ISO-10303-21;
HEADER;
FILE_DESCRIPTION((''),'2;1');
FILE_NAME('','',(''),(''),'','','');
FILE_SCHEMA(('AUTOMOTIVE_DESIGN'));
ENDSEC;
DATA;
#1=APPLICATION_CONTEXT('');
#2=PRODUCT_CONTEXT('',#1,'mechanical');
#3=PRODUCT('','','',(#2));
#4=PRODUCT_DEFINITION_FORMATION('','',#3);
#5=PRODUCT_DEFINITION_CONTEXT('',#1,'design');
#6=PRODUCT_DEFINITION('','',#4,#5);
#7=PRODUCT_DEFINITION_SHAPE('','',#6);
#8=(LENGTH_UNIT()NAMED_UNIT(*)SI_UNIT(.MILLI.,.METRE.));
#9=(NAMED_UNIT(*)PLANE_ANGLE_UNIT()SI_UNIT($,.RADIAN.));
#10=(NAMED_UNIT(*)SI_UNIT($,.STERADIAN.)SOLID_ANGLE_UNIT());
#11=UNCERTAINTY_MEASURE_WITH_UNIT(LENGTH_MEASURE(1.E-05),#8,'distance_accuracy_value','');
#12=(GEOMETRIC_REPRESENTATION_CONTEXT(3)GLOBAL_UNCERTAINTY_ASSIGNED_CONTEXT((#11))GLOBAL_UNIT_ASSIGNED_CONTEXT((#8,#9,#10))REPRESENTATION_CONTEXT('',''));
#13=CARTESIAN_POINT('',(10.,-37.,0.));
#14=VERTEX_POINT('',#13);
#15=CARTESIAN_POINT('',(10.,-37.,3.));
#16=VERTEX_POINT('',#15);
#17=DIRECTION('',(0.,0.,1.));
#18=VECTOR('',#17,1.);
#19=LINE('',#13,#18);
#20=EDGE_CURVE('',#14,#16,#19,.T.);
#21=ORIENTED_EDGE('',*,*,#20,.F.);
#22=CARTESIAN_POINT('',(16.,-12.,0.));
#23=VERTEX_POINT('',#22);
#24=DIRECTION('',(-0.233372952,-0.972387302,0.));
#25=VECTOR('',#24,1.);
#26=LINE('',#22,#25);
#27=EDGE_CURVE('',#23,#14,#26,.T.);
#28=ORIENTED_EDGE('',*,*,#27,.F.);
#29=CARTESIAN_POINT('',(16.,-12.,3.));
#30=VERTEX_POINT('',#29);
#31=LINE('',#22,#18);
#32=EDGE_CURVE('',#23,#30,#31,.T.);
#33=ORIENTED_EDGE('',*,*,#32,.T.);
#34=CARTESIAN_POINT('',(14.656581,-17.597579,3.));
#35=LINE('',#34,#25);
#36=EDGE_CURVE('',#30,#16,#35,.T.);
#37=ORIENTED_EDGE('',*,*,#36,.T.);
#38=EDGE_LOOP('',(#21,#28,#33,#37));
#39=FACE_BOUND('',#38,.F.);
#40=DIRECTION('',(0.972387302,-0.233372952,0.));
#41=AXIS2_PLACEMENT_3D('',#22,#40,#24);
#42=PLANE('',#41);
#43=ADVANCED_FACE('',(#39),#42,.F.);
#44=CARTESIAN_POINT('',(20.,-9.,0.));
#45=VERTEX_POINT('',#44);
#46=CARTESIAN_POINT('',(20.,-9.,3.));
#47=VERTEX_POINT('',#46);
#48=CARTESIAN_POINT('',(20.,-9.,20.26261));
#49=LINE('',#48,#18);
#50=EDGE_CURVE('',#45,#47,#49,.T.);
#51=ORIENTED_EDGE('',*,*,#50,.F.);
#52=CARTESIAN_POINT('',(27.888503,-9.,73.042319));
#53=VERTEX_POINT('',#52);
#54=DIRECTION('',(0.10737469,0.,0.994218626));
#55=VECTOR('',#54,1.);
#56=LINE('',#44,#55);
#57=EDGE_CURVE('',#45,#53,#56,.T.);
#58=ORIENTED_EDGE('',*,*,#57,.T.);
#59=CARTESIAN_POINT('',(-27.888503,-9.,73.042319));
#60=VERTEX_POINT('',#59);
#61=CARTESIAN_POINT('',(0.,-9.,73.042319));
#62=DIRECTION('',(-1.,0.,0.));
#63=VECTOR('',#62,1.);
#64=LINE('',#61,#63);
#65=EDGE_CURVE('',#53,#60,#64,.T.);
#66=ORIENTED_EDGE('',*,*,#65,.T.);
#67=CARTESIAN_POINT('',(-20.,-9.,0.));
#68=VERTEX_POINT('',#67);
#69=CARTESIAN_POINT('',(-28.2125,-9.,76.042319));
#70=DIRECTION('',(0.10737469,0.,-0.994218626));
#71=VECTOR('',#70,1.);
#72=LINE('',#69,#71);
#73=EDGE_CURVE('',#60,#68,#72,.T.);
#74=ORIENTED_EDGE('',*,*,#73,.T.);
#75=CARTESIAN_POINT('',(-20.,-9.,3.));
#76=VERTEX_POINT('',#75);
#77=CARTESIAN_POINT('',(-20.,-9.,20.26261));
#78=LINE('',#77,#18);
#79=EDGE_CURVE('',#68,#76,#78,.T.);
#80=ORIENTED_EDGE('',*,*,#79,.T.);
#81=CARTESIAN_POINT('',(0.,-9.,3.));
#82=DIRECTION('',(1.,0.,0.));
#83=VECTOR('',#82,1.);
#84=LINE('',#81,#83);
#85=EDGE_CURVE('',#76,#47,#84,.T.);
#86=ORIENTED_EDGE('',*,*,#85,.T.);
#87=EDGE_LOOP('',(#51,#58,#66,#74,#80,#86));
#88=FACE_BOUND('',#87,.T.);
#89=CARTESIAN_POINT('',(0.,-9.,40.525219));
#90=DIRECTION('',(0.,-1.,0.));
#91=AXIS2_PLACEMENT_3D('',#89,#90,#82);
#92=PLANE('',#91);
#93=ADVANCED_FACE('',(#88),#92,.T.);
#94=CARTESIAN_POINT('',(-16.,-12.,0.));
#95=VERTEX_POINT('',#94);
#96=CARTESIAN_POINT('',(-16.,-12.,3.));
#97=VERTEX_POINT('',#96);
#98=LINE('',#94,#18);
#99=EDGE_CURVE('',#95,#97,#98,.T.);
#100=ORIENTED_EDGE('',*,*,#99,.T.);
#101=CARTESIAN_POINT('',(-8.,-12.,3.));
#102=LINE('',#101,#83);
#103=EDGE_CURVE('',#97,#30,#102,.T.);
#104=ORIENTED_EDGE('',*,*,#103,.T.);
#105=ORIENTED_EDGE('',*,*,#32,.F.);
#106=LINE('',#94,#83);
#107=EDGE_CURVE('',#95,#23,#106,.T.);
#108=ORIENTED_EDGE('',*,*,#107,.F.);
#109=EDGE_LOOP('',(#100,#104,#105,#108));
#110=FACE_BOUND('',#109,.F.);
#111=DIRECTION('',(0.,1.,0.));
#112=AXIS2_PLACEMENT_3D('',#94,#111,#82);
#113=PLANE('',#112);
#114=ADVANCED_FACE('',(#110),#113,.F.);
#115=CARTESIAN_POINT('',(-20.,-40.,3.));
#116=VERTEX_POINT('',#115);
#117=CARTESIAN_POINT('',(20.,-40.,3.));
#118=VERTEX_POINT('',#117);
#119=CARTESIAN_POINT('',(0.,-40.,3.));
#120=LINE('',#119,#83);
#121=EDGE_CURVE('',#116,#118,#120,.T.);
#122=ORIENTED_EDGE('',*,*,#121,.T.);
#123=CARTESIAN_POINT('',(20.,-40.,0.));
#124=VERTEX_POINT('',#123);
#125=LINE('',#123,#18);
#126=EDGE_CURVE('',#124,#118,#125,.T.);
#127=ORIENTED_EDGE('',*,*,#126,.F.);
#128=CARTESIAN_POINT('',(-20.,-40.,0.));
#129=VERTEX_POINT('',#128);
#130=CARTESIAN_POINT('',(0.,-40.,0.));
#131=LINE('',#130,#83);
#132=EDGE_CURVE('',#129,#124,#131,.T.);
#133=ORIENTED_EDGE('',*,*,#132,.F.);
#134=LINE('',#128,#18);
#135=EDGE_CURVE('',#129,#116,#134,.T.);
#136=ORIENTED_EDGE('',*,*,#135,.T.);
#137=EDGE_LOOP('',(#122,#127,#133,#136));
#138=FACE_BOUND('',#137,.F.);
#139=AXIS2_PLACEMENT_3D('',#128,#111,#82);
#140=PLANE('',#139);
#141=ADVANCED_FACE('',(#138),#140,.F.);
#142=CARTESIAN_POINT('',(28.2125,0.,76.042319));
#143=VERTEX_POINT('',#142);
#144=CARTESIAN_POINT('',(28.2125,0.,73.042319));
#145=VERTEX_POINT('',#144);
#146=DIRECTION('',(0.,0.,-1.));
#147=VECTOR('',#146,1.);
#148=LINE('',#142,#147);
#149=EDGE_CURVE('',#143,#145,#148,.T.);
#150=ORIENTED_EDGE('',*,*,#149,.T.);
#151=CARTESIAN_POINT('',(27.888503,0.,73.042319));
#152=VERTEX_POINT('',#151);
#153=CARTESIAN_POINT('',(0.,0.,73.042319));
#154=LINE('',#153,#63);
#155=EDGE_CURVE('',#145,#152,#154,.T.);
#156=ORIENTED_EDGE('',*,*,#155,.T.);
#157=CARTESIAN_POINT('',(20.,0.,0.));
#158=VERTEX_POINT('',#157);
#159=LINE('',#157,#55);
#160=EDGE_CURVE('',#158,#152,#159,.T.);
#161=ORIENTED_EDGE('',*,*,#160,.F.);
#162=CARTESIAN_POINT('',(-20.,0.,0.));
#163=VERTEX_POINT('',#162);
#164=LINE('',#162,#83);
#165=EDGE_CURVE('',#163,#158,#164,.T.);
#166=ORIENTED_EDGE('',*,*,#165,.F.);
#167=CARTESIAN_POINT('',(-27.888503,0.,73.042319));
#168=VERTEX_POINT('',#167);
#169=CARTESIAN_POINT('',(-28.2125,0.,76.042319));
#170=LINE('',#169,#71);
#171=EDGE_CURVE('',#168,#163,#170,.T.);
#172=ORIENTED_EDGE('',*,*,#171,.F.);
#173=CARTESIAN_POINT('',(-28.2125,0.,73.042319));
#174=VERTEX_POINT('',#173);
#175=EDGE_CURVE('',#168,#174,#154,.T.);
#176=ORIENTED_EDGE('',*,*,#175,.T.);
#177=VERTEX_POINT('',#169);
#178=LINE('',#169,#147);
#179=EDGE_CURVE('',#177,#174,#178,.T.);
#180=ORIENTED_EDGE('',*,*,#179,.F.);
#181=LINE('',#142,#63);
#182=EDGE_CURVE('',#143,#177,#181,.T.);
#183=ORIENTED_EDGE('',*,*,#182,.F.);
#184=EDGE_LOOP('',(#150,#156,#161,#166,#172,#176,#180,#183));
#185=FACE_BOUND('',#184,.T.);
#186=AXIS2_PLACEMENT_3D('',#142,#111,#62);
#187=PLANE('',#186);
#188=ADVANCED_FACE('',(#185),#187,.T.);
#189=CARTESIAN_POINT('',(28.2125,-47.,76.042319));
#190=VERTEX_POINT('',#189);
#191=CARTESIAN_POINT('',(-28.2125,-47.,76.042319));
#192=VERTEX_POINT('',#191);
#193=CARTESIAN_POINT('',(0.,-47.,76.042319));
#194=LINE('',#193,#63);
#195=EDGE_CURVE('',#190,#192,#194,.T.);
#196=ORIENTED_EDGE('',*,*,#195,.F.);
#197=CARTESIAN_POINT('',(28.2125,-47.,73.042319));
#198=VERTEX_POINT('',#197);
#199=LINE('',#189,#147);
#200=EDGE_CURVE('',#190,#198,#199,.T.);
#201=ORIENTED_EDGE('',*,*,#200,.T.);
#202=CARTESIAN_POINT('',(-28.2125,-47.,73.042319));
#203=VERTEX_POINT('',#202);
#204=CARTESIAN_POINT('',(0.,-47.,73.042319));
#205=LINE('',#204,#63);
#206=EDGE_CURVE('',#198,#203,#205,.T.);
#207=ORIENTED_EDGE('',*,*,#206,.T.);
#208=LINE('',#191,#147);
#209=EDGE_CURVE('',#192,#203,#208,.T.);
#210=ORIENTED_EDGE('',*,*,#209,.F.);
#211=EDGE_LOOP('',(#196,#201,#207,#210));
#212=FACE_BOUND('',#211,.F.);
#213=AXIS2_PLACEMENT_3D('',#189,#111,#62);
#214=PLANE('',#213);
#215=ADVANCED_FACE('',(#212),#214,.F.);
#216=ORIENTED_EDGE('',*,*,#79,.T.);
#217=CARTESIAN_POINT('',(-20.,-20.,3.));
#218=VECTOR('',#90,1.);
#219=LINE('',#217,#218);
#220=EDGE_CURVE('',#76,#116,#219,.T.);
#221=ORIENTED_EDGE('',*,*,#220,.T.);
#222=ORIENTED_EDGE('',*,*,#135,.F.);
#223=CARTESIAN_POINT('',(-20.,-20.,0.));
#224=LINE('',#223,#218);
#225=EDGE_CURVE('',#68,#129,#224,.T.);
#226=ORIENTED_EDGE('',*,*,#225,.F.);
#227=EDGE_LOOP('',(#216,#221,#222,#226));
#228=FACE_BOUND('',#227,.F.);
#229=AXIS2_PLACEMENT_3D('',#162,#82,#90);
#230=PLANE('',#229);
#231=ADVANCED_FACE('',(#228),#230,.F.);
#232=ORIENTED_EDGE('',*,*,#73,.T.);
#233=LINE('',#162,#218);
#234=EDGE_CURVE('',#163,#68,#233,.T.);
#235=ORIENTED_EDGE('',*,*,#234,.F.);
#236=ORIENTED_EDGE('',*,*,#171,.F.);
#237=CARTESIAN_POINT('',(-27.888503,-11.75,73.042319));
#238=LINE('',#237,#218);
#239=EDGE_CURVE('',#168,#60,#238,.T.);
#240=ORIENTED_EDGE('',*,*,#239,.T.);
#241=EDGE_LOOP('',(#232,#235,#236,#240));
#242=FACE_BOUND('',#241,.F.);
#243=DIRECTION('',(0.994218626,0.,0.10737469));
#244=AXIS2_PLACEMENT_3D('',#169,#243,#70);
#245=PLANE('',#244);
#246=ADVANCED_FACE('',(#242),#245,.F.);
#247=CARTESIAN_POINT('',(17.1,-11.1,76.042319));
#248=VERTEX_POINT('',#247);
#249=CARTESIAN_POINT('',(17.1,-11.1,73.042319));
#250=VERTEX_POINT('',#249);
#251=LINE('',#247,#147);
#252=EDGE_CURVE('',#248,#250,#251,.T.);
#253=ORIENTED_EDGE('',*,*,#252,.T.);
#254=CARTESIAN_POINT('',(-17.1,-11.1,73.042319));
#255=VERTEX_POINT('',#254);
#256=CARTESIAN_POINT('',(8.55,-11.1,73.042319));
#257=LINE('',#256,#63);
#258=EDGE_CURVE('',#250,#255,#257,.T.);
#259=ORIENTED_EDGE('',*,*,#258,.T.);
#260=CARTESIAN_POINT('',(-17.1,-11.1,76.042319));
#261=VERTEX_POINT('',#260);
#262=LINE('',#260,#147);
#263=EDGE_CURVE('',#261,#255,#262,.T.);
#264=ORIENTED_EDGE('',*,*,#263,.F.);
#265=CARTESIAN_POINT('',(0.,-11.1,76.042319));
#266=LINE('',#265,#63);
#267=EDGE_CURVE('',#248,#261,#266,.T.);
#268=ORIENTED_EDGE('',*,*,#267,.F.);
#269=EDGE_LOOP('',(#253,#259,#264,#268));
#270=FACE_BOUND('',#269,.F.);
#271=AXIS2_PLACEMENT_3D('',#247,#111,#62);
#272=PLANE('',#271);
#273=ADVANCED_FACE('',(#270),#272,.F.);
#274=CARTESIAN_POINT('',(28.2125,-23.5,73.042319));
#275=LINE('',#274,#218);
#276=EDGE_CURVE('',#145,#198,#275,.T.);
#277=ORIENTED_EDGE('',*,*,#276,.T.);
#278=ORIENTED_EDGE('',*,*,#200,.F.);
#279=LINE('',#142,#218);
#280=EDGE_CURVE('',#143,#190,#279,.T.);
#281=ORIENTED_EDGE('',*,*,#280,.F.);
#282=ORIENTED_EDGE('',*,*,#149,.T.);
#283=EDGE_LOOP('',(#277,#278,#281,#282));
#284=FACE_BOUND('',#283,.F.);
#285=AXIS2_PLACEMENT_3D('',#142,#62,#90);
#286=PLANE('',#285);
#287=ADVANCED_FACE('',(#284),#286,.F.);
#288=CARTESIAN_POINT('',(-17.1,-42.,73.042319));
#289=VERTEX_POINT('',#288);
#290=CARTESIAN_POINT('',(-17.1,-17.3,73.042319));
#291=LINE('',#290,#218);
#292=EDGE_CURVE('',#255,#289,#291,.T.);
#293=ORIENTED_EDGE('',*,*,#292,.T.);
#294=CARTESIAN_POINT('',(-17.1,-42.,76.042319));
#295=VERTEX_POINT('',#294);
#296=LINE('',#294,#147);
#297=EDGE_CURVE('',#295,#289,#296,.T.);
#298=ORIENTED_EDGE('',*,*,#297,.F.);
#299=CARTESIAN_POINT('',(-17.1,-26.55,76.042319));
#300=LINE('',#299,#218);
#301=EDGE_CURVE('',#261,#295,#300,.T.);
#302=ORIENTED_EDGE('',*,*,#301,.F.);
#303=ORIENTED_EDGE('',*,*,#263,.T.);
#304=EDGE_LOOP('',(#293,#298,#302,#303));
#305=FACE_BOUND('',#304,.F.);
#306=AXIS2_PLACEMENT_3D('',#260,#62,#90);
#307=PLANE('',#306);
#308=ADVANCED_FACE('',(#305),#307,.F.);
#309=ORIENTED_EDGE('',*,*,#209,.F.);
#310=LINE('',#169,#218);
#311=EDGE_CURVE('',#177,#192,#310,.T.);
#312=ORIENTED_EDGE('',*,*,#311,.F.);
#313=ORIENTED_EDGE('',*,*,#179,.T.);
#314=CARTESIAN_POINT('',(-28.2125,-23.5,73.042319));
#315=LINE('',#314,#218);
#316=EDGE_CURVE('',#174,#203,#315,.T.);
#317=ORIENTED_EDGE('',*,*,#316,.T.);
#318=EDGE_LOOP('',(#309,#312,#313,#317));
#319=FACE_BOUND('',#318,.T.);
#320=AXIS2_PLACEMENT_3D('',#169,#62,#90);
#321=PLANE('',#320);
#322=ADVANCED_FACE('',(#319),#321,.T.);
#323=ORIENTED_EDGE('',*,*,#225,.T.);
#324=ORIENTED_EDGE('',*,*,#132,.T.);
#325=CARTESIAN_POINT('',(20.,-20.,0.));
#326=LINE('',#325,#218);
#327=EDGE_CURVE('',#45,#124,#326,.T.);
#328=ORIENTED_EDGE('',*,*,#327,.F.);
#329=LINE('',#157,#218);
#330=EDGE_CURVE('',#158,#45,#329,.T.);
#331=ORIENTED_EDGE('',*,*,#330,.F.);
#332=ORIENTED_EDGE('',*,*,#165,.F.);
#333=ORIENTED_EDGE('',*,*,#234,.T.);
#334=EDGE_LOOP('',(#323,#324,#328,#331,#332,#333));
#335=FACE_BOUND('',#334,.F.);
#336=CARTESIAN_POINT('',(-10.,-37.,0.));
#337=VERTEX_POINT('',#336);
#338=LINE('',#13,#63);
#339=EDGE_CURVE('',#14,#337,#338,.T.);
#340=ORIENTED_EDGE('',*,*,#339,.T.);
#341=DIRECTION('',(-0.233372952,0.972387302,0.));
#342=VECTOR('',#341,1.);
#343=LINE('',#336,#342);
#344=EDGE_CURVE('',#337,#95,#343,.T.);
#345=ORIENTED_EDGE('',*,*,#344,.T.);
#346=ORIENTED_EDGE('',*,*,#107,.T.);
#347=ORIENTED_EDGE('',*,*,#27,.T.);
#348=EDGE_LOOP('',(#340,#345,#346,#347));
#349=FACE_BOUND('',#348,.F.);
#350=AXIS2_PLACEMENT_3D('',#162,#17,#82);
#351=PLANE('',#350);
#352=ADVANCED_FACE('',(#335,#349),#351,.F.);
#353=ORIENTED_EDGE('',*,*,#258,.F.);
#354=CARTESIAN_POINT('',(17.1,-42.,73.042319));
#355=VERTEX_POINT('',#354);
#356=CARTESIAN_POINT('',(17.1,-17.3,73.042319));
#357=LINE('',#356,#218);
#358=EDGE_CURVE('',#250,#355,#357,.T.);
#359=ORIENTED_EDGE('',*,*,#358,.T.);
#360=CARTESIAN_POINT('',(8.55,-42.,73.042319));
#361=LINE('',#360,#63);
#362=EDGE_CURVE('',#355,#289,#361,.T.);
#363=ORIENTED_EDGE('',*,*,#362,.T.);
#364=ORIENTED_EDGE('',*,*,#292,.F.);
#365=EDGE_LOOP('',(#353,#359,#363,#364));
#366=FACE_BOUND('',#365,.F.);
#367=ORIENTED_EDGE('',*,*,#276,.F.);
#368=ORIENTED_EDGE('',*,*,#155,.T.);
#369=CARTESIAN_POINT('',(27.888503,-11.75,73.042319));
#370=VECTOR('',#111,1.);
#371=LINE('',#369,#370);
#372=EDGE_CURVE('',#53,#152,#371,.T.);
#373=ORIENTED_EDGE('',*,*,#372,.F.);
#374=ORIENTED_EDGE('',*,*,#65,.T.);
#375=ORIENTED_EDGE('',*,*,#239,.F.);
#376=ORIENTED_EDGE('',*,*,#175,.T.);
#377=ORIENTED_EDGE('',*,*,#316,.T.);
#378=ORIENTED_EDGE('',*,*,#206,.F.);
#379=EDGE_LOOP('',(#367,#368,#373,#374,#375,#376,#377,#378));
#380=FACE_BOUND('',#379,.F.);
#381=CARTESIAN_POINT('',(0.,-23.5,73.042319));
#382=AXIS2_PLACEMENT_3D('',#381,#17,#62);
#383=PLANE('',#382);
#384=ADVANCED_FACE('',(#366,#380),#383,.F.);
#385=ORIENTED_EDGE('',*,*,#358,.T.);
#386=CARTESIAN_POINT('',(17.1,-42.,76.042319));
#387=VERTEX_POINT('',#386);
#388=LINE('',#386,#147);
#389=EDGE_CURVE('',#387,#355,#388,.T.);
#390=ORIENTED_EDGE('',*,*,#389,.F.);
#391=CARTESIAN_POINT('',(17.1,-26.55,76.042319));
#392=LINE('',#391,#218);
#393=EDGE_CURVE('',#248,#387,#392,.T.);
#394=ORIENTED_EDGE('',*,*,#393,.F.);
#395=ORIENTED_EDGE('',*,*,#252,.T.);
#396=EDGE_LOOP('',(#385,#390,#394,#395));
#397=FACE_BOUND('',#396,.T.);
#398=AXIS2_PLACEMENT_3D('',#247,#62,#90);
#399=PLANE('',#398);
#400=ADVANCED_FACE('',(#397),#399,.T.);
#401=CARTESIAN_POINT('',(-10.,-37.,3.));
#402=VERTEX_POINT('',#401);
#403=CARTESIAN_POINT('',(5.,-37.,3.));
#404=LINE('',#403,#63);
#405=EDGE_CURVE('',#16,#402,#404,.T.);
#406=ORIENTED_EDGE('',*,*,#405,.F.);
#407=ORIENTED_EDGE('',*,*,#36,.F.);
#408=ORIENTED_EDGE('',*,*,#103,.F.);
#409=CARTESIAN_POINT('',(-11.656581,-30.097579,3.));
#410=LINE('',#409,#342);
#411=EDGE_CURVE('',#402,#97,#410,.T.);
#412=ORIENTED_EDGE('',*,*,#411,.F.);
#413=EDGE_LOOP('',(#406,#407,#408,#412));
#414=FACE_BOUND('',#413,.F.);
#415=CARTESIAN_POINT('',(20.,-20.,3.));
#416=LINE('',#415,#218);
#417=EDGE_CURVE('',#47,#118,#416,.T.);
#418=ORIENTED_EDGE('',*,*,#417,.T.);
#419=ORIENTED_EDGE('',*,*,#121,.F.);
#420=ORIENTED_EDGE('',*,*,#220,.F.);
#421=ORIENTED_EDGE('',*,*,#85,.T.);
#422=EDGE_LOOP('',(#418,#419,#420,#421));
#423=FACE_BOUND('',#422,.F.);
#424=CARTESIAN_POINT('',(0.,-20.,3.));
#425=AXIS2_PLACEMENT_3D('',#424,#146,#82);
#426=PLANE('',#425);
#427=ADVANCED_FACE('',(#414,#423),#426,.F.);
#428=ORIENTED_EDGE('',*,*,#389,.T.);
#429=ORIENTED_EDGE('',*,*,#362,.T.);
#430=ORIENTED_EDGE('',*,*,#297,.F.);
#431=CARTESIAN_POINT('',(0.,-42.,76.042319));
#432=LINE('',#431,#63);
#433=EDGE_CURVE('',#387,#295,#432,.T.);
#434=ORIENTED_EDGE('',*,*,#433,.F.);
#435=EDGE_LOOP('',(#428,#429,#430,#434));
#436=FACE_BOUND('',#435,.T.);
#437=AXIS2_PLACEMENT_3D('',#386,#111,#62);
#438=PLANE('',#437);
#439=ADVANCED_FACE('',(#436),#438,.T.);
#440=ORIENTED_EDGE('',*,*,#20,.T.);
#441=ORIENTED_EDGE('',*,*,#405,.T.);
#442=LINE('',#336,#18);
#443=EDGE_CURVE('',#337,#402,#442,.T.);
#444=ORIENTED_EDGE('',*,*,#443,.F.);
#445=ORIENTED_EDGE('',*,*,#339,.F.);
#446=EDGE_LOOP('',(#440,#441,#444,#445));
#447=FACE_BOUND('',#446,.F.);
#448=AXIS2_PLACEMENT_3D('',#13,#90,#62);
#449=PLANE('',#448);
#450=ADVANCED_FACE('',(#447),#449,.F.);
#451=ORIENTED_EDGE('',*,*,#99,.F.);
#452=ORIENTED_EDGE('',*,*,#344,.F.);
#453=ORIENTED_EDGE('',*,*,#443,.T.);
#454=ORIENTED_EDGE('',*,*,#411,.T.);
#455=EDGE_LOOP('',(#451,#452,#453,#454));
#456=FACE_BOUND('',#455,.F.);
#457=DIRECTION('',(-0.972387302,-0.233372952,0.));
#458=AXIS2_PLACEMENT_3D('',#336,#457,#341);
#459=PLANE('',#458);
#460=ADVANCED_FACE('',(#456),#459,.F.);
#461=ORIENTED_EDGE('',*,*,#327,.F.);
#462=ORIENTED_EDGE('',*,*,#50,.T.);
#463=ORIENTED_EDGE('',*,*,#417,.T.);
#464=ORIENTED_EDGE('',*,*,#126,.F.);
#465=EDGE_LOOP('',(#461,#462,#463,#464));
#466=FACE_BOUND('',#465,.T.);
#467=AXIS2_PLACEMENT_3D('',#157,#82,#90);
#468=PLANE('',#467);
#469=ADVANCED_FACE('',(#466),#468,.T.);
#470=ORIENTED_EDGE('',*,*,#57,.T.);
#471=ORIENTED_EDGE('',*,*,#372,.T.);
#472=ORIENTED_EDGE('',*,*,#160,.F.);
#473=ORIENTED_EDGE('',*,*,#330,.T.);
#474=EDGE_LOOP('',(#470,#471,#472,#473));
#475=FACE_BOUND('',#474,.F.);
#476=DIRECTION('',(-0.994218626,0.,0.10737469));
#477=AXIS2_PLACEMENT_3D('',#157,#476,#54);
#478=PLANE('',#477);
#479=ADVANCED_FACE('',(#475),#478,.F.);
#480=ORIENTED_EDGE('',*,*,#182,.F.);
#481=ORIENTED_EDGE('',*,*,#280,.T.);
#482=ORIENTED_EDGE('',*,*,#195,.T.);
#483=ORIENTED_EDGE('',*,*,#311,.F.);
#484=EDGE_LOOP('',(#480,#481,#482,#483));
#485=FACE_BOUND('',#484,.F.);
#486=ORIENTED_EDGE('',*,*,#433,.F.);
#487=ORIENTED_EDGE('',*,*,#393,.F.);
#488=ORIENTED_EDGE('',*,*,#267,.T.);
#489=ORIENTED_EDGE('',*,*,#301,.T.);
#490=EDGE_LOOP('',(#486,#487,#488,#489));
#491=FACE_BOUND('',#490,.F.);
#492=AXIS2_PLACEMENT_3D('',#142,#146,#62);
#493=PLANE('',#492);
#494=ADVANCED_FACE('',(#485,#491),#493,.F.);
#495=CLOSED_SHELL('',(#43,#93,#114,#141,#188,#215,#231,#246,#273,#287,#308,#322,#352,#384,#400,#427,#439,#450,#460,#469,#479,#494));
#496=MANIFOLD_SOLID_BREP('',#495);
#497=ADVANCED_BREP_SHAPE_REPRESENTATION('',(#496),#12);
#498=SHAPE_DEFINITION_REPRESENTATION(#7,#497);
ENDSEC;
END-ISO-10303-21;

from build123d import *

# Parameters (mm, degrees)
PAD_DEPTH       = 9
SKETCH001_W     = 40
SKETCH001_H     = 40
PAD001_DEPTH    = 3
SKETCH002_W     = 56.425
SKETCH002_H     = 47
PAD002_DEPTH    = 3
SKETCH003_W     = 34.2
SKETCH003_H     = 30.9
POCKET_DEPTH    = 5
POCKET001_DEPTH = 5


with BuildPart() as part:
    # Sketch → Pad (new body)
    with BuildSketch(Plane.XZ):
        Polygon((-20, 0), (20, 0), (28.2125, 76.042319), (-28.2125, 76.042319), align=None)
    extrude(amount=PAD_DEPTH)

    # Sketch001 (on Face2 of Pad) → Pad001 (join)
    with BuildSketch(Plane(origin=(0, 0, 0), x_dir=(1, 0, 0), z_dir=(0, 0, -1))):
        with Locations((0, 20)):
            Rectangle(SKETCH001_W, SKETCH001_H)
    extrude(amount=-PAD001_DEPTH)

    # Sketch002 (on Face2 of Pad001) → Pad002 (join)
    with BuildSketch(Plane(origin=(0, 0, 76.042319), x_dir=(-1, 0, 0), z_dir=(0, 0, 1))):
        with Locations((0, 23.5)):
            Rectangle(SKETCH002_W, SKETCH002_H)
    extrude(amount=-PAD002_DEPTH)

    # Sketch003 (on Face14 of Pad002) → Pocket (cut)
    with BuildSketch(Plane(origin=(0, 0, 76.042319), x_dir=(-1, 0, 0), z_dir=(0, 0, 1))):
        with Locations((0, 26.55)):
            Rectangle(SKETCH003_W, SKETCH003_H)
    extrude(amount=-POCKET_DEPTH, mode=Mode.SUBTRACT)

    # Sketch004 (on Face5 of Pocket) → Pocket001 (cut)
    with BuildSketch(Plane(origin=(0, 0, 0), x_dir=(1, 0, 0), z_dir=(0, 0, -1))):
        Polygon((-16, 12), (16, 12), (10, 37), (-10, 37), align=None)
    extrude(amount=-POCKET001_DEPTH, mode=Mode.SUBTRACT)


solid = part.part
